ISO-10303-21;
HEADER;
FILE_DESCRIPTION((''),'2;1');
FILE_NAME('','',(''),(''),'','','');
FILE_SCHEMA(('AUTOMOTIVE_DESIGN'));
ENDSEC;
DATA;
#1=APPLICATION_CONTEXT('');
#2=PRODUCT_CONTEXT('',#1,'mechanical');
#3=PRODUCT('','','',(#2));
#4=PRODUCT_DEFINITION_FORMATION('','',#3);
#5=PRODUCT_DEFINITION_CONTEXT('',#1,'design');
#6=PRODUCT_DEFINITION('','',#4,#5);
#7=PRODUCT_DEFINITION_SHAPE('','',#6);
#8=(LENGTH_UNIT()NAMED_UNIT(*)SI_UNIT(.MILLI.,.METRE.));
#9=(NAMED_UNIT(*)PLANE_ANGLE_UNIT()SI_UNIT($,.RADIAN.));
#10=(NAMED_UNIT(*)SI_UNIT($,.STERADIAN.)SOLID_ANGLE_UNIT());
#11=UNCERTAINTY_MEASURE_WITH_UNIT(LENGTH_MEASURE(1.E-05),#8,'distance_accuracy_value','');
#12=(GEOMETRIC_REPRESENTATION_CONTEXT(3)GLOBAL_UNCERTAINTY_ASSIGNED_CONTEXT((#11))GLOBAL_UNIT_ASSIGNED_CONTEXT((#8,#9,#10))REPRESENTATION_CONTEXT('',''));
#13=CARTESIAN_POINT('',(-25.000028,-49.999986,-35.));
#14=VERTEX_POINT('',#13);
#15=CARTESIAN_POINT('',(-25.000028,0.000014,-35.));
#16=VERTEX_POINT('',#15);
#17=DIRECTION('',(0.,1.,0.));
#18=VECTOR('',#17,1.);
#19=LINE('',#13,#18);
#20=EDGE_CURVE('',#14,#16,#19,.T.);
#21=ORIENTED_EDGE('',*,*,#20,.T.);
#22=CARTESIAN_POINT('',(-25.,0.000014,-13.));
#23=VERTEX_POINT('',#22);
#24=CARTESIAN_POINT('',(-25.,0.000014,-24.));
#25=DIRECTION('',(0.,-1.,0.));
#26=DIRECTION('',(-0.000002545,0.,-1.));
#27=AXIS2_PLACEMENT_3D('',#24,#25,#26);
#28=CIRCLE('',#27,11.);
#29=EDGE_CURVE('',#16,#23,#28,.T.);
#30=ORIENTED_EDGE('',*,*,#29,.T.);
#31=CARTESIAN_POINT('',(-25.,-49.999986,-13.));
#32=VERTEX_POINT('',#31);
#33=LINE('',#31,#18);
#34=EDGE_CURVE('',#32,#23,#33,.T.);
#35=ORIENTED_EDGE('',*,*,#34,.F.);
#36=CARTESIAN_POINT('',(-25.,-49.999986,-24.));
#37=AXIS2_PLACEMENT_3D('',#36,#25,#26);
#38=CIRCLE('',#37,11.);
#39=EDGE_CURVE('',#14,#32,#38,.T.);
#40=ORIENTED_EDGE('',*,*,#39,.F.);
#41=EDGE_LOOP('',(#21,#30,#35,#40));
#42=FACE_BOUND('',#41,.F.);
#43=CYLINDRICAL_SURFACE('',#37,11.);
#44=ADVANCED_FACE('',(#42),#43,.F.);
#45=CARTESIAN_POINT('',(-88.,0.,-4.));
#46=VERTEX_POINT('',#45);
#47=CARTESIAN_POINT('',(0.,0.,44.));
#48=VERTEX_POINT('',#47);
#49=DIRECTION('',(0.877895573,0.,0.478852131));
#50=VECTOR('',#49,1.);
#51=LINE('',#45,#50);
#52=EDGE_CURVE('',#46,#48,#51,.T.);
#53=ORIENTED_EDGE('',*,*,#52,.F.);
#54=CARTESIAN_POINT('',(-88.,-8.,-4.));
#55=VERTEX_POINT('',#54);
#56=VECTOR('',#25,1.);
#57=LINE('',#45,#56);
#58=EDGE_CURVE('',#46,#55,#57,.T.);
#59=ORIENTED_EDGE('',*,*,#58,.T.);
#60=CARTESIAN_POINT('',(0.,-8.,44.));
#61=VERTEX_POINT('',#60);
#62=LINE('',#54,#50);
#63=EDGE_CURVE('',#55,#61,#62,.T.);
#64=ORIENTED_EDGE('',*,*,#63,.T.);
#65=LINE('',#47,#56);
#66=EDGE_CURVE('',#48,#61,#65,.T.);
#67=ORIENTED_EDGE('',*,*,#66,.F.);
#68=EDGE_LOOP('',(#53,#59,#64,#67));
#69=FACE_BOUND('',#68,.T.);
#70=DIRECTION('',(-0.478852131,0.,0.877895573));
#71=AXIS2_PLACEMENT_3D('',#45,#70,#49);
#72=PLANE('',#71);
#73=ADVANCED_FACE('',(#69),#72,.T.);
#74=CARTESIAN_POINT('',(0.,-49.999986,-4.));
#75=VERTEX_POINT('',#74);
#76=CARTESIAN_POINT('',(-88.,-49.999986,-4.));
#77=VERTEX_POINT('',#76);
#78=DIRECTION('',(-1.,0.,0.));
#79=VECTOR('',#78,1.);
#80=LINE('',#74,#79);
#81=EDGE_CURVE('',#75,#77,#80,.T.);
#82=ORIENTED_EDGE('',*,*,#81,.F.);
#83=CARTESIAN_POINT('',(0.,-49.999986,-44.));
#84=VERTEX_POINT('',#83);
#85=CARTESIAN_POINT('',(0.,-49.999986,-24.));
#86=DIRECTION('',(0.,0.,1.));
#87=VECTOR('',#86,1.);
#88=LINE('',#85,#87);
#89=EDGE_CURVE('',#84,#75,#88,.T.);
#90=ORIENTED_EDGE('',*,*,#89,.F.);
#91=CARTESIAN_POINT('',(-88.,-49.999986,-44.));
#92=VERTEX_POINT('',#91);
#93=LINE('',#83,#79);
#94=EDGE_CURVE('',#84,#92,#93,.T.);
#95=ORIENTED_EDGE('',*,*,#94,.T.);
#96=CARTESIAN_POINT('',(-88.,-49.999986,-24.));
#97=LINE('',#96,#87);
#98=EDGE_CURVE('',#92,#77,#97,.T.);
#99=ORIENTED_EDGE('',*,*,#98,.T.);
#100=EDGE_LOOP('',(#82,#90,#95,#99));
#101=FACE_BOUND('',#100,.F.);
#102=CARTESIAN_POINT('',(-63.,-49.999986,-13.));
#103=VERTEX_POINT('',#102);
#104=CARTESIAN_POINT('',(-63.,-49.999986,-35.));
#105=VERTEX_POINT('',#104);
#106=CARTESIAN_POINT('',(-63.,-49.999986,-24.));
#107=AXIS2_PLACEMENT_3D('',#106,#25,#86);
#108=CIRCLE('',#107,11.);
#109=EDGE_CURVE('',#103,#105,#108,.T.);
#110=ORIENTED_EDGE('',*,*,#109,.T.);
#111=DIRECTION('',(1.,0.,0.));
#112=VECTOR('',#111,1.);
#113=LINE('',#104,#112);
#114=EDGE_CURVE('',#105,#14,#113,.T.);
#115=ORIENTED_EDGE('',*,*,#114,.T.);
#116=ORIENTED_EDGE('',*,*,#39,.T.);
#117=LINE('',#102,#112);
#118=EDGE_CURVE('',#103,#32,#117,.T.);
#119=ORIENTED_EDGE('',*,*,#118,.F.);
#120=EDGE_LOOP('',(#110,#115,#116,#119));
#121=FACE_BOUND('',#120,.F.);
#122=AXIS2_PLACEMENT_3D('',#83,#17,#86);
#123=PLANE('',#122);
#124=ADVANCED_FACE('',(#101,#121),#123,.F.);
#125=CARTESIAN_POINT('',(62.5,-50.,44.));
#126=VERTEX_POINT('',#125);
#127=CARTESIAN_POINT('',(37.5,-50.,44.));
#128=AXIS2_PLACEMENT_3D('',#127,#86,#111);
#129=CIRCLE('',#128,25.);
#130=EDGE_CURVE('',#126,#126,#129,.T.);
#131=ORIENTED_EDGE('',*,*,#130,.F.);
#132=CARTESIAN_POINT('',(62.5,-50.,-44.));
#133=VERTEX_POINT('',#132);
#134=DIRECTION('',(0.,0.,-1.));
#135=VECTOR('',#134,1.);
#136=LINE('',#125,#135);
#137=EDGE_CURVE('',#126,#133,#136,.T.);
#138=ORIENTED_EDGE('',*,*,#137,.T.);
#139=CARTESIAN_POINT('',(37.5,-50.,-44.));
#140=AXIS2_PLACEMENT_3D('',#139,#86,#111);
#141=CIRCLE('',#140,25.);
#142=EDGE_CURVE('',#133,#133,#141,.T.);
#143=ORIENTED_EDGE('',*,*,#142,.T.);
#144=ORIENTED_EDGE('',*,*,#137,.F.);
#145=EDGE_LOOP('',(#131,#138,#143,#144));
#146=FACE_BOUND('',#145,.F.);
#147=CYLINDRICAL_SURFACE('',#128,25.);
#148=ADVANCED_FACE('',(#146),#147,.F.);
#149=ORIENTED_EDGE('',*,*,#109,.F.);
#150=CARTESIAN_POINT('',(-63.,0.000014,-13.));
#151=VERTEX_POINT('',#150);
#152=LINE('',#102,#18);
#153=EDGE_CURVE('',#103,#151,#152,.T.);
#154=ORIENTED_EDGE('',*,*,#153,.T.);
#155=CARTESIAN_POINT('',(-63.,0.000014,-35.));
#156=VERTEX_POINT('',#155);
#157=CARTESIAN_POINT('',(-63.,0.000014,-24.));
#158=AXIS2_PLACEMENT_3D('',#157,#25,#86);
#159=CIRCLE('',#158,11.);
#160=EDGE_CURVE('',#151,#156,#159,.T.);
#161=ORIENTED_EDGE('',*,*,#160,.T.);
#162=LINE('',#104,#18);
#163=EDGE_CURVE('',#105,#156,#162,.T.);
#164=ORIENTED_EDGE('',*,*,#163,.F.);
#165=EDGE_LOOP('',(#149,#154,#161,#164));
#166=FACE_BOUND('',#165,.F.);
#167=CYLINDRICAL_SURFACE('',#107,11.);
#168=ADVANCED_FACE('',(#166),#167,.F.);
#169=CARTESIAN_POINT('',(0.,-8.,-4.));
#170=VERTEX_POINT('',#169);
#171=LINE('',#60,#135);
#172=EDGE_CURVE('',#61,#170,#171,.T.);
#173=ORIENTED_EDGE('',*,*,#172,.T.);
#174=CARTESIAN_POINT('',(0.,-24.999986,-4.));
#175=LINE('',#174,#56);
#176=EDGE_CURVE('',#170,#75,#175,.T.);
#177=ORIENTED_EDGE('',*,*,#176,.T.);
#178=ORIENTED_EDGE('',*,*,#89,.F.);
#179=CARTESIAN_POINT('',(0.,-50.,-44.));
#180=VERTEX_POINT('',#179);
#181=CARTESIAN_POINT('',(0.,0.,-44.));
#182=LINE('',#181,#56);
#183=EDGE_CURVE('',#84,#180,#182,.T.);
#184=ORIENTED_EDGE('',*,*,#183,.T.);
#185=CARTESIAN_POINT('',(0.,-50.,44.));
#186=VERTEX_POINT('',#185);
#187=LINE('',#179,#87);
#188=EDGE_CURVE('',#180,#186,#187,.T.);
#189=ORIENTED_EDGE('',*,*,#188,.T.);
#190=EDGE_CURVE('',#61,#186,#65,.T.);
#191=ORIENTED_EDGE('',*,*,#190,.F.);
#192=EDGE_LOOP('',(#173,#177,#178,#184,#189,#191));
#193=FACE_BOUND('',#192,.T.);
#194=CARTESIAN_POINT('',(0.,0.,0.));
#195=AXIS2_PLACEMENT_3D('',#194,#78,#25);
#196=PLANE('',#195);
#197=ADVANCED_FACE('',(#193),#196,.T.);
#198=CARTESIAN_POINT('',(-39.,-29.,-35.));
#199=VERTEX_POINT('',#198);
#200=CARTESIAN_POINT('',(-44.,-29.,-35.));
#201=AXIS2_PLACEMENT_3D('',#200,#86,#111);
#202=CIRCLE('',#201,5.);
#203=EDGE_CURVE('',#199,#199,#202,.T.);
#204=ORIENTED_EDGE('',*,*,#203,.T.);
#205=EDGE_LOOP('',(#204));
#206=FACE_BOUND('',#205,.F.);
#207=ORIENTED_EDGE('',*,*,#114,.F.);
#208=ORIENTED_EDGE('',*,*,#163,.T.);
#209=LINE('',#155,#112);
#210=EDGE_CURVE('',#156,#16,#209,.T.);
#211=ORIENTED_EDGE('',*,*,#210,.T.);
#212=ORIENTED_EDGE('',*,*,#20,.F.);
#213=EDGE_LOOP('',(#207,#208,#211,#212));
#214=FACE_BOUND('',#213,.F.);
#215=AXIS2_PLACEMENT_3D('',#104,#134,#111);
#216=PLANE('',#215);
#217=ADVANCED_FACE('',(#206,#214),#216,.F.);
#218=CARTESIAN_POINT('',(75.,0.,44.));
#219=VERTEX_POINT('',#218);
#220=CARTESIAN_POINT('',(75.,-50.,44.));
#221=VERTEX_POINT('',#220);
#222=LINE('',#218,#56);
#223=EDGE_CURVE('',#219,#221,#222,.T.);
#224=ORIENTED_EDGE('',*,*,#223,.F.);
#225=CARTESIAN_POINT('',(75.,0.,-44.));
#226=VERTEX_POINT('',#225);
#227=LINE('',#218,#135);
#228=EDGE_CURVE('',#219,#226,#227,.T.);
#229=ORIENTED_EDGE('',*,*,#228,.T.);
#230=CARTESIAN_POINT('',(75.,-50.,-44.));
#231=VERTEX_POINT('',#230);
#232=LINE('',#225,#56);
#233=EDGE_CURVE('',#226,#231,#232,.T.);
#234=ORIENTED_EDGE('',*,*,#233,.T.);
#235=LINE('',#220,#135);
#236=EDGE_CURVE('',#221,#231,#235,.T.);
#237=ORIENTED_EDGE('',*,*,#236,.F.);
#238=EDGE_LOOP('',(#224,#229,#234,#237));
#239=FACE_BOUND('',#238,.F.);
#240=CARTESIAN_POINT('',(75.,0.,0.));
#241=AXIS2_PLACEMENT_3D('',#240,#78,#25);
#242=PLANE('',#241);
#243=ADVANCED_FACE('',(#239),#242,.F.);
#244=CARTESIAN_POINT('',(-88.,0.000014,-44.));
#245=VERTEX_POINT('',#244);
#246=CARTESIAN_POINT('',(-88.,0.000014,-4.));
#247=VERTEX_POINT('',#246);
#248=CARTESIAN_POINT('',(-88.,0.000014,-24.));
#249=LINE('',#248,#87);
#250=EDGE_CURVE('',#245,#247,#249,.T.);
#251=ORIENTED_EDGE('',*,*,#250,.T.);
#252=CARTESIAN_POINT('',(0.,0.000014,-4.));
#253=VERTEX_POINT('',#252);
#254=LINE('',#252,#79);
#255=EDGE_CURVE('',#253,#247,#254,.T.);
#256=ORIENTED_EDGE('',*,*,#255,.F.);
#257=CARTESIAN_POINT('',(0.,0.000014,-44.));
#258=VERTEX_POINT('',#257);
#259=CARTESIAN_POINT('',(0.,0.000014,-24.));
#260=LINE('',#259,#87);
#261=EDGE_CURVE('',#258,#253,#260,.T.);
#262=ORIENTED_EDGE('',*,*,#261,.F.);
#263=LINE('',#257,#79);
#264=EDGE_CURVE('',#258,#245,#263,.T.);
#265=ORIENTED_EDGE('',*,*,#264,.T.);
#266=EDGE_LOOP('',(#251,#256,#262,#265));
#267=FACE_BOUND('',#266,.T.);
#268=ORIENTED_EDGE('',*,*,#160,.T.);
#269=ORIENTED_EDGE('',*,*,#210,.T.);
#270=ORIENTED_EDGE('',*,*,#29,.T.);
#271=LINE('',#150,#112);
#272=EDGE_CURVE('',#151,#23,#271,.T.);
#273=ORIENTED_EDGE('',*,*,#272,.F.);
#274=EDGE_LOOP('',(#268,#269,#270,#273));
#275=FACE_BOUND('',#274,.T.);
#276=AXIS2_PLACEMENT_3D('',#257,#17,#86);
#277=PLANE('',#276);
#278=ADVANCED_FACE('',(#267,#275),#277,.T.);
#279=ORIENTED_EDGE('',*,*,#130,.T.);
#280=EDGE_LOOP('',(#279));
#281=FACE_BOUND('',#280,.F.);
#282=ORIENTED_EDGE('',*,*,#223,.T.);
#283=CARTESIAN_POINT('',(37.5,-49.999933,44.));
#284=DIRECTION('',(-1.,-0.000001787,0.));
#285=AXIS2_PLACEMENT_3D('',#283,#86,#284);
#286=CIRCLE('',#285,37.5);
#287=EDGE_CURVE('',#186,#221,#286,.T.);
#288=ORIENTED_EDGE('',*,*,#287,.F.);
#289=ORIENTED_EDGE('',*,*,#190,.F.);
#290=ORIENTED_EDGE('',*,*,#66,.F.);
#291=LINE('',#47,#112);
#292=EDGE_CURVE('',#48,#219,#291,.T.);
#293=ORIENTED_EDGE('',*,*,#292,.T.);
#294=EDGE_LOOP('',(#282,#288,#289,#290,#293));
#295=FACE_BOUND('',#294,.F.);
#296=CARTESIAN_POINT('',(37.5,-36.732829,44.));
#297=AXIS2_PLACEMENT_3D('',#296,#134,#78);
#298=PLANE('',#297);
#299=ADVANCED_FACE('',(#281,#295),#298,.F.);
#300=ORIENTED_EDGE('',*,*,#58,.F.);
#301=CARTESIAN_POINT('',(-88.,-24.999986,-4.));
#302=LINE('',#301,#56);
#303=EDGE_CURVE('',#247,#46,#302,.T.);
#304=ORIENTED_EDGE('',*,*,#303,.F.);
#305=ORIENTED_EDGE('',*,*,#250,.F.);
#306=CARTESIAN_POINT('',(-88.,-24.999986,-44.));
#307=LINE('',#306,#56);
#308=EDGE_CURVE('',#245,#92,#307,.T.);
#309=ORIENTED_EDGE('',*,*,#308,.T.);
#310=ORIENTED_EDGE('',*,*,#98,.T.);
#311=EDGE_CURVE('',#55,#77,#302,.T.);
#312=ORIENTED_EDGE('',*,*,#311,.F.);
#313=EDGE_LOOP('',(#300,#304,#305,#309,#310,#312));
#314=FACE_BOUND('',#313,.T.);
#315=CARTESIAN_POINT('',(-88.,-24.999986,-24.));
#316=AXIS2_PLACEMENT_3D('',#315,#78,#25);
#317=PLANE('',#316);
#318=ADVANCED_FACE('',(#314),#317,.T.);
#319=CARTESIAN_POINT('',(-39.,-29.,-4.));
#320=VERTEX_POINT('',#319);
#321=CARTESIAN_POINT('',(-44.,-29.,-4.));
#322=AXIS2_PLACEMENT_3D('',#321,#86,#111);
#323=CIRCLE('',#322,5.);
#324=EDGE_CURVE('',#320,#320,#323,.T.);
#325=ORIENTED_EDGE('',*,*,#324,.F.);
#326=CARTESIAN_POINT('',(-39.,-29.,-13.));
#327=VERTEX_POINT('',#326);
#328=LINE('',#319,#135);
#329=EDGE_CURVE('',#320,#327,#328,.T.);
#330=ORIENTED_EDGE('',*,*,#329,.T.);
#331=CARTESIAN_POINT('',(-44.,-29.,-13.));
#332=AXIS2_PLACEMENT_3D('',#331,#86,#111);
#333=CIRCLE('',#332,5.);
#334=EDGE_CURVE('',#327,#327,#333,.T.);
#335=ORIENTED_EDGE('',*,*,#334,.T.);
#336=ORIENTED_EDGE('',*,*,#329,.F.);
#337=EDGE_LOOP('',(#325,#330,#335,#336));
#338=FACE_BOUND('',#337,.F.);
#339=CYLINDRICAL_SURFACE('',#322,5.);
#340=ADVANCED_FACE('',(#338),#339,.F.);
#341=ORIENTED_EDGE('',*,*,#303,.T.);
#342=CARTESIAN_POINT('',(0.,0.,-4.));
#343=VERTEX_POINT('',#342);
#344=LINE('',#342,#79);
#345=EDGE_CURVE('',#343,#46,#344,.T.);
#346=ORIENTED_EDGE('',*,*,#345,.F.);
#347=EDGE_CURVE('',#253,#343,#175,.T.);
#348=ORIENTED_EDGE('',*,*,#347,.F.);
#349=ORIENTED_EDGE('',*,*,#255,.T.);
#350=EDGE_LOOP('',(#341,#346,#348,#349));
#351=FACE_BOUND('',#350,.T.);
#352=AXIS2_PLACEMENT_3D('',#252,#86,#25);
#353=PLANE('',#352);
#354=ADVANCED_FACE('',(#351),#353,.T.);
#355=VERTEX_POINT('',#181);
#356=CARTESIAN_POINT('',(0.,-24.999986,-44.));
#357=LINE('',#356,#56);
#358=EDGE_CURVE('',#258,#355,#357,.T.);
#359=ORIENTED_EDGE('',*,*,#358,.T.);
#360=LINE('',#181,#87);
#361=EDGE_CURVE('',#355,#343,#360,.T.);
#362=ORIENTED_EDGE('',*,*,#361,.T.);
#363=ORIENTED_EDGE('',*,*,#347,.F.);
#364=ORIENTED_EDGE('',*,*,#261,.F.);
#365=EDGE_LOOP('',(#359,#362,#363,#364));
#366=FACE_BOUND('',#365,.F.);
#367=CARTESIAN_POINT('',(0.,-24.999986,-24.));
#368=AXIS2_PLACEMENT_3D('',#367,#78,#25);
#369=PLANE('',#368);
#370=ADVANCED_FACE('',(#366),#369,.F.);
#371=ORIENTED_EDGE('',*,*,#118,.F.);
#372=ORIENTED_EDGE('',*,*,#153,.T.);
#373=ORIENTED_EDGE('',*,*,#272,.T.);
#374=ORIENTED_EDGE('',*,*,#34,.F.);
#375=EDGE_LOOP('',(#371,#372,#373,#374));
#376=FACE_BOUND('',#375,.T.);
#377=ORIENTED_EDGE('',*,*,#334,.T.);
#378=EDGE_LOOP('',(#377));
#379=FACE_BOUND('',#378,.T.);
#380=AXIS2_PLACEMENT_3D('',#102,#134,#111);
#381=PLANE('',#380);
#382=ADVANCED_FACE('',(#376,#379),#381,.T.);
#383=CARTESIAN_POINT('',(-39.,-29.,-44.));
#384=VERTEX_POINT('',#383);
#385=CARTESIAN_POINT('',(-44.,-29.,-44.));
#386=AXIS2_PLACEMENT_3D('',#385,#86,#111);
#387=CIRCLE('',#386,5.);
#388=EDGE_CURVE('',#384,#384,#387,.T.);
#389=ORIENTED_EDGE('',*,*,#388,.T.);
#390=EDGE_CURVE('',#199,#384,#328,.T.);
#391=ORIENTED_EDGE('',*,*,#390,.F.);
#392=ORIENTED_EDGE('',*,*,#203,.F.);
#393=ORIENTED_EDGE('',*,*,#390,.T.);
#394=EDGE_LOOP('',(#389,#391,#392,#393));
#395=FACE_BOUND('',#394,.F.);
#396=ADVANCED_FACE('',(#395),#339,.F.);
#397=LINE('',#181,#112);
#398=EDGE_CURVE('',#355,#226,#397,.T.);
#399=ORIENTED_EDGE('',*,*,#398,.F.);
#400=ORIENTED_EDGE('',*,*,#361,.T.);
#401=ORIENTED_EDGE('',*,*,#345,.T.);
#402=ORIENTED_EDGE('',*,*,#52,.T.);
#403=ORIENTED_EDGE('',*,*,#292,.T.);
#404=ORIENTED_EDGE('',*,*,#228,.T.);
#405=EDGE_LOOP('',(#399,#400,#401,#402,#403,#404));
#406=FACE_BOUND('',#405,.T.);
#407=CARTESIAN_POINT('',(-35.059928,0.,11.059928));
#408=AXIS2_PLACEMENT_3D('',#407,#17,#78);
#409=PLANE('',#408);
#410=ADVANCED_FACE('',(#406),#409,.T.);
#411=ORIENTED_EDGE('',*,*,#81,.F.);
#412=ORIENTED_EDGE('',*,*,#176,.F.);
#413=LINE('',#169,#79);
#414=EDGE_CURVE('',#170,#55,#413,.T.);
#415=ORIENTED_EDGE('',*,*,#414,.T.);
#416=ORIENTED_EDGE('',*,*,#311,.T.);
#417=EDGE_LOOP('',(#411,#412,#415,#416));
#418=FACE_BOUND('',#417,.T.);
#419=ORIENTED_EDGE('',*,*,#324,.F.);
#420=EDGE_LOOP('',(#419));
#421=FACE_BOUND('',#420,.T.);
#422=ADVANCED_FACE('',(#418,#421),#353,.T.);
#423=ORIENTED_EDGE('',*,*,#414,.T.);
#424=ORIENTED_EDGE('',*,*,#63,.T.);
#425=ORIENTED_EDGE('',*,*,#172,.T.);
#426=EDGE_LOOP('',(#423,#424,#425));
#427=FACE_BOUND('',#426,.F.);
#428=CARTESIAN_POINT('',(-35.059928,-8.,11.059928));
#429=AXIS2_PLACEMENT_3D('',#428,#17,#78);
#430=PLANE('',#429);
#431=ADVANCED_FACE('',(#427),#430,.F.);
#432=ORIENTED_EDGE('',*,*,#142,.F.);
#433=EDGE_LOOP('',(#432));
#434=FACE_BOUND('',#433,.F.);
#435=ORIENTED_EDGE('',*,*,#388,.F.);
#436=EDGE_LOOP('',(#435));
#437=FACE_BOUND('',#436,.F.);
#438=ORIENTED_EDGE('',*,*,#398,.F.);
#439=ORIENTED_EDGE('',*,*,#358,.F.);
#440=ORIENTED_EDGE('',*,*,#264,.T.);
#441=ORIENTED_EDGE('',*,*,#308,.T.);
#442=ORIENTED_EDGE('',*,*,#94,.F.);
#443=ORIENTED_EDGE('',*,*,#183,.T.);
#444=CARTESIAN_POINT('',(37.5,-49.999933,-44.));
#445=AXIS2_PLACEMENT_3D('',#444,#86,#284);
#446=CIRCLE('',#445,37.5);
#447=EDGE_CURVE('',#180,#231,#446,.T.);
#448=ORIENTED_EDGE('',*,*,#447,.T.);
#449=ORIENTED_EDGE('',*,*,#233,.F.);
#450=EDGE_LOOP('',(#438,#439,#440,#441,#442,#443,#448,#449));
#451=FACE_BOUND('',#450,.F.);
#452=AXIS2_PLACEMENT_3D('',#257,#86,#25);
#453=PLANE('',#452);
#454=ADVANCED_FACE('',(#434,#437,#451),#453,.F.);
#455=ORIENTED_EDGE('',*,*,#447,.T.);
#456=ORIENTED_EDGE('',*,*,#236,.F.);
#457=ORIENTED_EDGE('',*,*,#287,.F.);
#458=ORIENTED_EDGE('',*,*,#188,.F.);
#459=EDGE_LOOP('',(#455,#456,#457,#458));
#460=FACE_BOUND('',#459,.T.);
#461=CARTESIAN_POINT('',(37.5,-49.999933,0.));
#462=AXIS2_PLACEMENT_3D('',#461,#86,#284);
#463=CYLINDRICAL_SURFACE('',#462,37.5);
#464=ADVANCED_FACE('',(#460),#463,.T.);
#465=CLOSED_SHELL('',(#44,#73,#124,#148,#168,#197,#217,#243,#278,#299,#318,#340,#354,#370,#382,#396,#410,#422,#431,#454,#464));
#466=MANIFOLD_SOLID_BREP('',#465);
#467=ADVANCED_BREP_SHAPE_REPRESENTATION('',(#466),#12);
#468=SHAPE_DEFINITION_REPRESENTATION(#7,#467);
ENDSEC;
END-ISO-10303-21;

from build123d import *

# Parameters (mm, degrees)
PAD_DEPTH     = 44
SKETCH004_W   = 50
SKETCH004_H   = 40
PAD001_DEPTH  = 88
SKETCH005_R   = 25
HOLE_DEPTH    = 88
POCKET_DEPTH  = 50
SKETCH007_R   = 5
HOLE001_DEPTH = 40
PAD002_DEPTH  = 8


with BuildPart() as part:
    # Sketch → Pad (new body, symmetric)
    with BuildSketch(Plane.XY):
        with BuildLine():
            Line((0, 0), (75, 0))
            Line((75, 0), (75, -50))
            ThreePointArc((0, -50), (37.5, -87.499933), (75, -50))
            Line((0, 0), (0, -50))
        make_face()
    extrude(amount=PAD_DEPTH, both=True)

    # Sketch004 (on Face4 of Pad) → Pad001 (join)
    with BuildSketch(Plane(origin=(0, 0, 0), x_dir=(0, -1, 0), z_dir=(-1, 0, 0))):
        with Locations((24.999986, -24)):
            Rectangle(SKETCH004_W, SKETCH004_H)
    extrude(amount=PAD001_DEPTH)

    # Sketch005 (on Face6 of Pad001) → Hole (cut)
    with BuildSketch(Plane.XY.offset(44)):
        with Locations((37.5, -50)):
            Circle(SKETCH005_R)
    extrude(amount=-HOLE_DEPTH, mode=Mode.SUBTRACT)

    # Sketch006 (on Face10 of Hole) → Pocket (cut)
    with BuildSketch(Plane.XZ.offset(49.999986)):
        with BuildLine():
            ThreePointArc((-25.000028, -35), (-14, -24.000014), (-25, -13))
            Line((-63, -13), (-25, -13))
            ThreePointArc((-63, -13), (-74, -24), (-63, -35))
            Line((-63, -35), (-25.000028, -35))
        make_face()
    extrude(amount=-POCKET_DEPTH, mode=Mode.SUBTRACT)

    # Sketch007 (on Face9 of Pocket) → Hole001 (cut)
    with BuildSketch(Plane.XY.offset(-4)):
        with Locations((-44, -29)):
            Circle(SKETCH007_R)
    extrude(amount=-HOLE001_DEPTH, mode=Mode.SUBTRACT)

    # Sketch008 (on Face1 of Hole001) → Pad002 (join)
    with BuildSketch(Plane(origin=(0, 0, 0), x_dir=(-1, 0, 0), z_dir=(0, 1, 0))):
        Polygon((0, -4), (88, -4), (0, 44), align=None)
    extrude(amount=-PAD002_DEPTH)


solid = part.part
